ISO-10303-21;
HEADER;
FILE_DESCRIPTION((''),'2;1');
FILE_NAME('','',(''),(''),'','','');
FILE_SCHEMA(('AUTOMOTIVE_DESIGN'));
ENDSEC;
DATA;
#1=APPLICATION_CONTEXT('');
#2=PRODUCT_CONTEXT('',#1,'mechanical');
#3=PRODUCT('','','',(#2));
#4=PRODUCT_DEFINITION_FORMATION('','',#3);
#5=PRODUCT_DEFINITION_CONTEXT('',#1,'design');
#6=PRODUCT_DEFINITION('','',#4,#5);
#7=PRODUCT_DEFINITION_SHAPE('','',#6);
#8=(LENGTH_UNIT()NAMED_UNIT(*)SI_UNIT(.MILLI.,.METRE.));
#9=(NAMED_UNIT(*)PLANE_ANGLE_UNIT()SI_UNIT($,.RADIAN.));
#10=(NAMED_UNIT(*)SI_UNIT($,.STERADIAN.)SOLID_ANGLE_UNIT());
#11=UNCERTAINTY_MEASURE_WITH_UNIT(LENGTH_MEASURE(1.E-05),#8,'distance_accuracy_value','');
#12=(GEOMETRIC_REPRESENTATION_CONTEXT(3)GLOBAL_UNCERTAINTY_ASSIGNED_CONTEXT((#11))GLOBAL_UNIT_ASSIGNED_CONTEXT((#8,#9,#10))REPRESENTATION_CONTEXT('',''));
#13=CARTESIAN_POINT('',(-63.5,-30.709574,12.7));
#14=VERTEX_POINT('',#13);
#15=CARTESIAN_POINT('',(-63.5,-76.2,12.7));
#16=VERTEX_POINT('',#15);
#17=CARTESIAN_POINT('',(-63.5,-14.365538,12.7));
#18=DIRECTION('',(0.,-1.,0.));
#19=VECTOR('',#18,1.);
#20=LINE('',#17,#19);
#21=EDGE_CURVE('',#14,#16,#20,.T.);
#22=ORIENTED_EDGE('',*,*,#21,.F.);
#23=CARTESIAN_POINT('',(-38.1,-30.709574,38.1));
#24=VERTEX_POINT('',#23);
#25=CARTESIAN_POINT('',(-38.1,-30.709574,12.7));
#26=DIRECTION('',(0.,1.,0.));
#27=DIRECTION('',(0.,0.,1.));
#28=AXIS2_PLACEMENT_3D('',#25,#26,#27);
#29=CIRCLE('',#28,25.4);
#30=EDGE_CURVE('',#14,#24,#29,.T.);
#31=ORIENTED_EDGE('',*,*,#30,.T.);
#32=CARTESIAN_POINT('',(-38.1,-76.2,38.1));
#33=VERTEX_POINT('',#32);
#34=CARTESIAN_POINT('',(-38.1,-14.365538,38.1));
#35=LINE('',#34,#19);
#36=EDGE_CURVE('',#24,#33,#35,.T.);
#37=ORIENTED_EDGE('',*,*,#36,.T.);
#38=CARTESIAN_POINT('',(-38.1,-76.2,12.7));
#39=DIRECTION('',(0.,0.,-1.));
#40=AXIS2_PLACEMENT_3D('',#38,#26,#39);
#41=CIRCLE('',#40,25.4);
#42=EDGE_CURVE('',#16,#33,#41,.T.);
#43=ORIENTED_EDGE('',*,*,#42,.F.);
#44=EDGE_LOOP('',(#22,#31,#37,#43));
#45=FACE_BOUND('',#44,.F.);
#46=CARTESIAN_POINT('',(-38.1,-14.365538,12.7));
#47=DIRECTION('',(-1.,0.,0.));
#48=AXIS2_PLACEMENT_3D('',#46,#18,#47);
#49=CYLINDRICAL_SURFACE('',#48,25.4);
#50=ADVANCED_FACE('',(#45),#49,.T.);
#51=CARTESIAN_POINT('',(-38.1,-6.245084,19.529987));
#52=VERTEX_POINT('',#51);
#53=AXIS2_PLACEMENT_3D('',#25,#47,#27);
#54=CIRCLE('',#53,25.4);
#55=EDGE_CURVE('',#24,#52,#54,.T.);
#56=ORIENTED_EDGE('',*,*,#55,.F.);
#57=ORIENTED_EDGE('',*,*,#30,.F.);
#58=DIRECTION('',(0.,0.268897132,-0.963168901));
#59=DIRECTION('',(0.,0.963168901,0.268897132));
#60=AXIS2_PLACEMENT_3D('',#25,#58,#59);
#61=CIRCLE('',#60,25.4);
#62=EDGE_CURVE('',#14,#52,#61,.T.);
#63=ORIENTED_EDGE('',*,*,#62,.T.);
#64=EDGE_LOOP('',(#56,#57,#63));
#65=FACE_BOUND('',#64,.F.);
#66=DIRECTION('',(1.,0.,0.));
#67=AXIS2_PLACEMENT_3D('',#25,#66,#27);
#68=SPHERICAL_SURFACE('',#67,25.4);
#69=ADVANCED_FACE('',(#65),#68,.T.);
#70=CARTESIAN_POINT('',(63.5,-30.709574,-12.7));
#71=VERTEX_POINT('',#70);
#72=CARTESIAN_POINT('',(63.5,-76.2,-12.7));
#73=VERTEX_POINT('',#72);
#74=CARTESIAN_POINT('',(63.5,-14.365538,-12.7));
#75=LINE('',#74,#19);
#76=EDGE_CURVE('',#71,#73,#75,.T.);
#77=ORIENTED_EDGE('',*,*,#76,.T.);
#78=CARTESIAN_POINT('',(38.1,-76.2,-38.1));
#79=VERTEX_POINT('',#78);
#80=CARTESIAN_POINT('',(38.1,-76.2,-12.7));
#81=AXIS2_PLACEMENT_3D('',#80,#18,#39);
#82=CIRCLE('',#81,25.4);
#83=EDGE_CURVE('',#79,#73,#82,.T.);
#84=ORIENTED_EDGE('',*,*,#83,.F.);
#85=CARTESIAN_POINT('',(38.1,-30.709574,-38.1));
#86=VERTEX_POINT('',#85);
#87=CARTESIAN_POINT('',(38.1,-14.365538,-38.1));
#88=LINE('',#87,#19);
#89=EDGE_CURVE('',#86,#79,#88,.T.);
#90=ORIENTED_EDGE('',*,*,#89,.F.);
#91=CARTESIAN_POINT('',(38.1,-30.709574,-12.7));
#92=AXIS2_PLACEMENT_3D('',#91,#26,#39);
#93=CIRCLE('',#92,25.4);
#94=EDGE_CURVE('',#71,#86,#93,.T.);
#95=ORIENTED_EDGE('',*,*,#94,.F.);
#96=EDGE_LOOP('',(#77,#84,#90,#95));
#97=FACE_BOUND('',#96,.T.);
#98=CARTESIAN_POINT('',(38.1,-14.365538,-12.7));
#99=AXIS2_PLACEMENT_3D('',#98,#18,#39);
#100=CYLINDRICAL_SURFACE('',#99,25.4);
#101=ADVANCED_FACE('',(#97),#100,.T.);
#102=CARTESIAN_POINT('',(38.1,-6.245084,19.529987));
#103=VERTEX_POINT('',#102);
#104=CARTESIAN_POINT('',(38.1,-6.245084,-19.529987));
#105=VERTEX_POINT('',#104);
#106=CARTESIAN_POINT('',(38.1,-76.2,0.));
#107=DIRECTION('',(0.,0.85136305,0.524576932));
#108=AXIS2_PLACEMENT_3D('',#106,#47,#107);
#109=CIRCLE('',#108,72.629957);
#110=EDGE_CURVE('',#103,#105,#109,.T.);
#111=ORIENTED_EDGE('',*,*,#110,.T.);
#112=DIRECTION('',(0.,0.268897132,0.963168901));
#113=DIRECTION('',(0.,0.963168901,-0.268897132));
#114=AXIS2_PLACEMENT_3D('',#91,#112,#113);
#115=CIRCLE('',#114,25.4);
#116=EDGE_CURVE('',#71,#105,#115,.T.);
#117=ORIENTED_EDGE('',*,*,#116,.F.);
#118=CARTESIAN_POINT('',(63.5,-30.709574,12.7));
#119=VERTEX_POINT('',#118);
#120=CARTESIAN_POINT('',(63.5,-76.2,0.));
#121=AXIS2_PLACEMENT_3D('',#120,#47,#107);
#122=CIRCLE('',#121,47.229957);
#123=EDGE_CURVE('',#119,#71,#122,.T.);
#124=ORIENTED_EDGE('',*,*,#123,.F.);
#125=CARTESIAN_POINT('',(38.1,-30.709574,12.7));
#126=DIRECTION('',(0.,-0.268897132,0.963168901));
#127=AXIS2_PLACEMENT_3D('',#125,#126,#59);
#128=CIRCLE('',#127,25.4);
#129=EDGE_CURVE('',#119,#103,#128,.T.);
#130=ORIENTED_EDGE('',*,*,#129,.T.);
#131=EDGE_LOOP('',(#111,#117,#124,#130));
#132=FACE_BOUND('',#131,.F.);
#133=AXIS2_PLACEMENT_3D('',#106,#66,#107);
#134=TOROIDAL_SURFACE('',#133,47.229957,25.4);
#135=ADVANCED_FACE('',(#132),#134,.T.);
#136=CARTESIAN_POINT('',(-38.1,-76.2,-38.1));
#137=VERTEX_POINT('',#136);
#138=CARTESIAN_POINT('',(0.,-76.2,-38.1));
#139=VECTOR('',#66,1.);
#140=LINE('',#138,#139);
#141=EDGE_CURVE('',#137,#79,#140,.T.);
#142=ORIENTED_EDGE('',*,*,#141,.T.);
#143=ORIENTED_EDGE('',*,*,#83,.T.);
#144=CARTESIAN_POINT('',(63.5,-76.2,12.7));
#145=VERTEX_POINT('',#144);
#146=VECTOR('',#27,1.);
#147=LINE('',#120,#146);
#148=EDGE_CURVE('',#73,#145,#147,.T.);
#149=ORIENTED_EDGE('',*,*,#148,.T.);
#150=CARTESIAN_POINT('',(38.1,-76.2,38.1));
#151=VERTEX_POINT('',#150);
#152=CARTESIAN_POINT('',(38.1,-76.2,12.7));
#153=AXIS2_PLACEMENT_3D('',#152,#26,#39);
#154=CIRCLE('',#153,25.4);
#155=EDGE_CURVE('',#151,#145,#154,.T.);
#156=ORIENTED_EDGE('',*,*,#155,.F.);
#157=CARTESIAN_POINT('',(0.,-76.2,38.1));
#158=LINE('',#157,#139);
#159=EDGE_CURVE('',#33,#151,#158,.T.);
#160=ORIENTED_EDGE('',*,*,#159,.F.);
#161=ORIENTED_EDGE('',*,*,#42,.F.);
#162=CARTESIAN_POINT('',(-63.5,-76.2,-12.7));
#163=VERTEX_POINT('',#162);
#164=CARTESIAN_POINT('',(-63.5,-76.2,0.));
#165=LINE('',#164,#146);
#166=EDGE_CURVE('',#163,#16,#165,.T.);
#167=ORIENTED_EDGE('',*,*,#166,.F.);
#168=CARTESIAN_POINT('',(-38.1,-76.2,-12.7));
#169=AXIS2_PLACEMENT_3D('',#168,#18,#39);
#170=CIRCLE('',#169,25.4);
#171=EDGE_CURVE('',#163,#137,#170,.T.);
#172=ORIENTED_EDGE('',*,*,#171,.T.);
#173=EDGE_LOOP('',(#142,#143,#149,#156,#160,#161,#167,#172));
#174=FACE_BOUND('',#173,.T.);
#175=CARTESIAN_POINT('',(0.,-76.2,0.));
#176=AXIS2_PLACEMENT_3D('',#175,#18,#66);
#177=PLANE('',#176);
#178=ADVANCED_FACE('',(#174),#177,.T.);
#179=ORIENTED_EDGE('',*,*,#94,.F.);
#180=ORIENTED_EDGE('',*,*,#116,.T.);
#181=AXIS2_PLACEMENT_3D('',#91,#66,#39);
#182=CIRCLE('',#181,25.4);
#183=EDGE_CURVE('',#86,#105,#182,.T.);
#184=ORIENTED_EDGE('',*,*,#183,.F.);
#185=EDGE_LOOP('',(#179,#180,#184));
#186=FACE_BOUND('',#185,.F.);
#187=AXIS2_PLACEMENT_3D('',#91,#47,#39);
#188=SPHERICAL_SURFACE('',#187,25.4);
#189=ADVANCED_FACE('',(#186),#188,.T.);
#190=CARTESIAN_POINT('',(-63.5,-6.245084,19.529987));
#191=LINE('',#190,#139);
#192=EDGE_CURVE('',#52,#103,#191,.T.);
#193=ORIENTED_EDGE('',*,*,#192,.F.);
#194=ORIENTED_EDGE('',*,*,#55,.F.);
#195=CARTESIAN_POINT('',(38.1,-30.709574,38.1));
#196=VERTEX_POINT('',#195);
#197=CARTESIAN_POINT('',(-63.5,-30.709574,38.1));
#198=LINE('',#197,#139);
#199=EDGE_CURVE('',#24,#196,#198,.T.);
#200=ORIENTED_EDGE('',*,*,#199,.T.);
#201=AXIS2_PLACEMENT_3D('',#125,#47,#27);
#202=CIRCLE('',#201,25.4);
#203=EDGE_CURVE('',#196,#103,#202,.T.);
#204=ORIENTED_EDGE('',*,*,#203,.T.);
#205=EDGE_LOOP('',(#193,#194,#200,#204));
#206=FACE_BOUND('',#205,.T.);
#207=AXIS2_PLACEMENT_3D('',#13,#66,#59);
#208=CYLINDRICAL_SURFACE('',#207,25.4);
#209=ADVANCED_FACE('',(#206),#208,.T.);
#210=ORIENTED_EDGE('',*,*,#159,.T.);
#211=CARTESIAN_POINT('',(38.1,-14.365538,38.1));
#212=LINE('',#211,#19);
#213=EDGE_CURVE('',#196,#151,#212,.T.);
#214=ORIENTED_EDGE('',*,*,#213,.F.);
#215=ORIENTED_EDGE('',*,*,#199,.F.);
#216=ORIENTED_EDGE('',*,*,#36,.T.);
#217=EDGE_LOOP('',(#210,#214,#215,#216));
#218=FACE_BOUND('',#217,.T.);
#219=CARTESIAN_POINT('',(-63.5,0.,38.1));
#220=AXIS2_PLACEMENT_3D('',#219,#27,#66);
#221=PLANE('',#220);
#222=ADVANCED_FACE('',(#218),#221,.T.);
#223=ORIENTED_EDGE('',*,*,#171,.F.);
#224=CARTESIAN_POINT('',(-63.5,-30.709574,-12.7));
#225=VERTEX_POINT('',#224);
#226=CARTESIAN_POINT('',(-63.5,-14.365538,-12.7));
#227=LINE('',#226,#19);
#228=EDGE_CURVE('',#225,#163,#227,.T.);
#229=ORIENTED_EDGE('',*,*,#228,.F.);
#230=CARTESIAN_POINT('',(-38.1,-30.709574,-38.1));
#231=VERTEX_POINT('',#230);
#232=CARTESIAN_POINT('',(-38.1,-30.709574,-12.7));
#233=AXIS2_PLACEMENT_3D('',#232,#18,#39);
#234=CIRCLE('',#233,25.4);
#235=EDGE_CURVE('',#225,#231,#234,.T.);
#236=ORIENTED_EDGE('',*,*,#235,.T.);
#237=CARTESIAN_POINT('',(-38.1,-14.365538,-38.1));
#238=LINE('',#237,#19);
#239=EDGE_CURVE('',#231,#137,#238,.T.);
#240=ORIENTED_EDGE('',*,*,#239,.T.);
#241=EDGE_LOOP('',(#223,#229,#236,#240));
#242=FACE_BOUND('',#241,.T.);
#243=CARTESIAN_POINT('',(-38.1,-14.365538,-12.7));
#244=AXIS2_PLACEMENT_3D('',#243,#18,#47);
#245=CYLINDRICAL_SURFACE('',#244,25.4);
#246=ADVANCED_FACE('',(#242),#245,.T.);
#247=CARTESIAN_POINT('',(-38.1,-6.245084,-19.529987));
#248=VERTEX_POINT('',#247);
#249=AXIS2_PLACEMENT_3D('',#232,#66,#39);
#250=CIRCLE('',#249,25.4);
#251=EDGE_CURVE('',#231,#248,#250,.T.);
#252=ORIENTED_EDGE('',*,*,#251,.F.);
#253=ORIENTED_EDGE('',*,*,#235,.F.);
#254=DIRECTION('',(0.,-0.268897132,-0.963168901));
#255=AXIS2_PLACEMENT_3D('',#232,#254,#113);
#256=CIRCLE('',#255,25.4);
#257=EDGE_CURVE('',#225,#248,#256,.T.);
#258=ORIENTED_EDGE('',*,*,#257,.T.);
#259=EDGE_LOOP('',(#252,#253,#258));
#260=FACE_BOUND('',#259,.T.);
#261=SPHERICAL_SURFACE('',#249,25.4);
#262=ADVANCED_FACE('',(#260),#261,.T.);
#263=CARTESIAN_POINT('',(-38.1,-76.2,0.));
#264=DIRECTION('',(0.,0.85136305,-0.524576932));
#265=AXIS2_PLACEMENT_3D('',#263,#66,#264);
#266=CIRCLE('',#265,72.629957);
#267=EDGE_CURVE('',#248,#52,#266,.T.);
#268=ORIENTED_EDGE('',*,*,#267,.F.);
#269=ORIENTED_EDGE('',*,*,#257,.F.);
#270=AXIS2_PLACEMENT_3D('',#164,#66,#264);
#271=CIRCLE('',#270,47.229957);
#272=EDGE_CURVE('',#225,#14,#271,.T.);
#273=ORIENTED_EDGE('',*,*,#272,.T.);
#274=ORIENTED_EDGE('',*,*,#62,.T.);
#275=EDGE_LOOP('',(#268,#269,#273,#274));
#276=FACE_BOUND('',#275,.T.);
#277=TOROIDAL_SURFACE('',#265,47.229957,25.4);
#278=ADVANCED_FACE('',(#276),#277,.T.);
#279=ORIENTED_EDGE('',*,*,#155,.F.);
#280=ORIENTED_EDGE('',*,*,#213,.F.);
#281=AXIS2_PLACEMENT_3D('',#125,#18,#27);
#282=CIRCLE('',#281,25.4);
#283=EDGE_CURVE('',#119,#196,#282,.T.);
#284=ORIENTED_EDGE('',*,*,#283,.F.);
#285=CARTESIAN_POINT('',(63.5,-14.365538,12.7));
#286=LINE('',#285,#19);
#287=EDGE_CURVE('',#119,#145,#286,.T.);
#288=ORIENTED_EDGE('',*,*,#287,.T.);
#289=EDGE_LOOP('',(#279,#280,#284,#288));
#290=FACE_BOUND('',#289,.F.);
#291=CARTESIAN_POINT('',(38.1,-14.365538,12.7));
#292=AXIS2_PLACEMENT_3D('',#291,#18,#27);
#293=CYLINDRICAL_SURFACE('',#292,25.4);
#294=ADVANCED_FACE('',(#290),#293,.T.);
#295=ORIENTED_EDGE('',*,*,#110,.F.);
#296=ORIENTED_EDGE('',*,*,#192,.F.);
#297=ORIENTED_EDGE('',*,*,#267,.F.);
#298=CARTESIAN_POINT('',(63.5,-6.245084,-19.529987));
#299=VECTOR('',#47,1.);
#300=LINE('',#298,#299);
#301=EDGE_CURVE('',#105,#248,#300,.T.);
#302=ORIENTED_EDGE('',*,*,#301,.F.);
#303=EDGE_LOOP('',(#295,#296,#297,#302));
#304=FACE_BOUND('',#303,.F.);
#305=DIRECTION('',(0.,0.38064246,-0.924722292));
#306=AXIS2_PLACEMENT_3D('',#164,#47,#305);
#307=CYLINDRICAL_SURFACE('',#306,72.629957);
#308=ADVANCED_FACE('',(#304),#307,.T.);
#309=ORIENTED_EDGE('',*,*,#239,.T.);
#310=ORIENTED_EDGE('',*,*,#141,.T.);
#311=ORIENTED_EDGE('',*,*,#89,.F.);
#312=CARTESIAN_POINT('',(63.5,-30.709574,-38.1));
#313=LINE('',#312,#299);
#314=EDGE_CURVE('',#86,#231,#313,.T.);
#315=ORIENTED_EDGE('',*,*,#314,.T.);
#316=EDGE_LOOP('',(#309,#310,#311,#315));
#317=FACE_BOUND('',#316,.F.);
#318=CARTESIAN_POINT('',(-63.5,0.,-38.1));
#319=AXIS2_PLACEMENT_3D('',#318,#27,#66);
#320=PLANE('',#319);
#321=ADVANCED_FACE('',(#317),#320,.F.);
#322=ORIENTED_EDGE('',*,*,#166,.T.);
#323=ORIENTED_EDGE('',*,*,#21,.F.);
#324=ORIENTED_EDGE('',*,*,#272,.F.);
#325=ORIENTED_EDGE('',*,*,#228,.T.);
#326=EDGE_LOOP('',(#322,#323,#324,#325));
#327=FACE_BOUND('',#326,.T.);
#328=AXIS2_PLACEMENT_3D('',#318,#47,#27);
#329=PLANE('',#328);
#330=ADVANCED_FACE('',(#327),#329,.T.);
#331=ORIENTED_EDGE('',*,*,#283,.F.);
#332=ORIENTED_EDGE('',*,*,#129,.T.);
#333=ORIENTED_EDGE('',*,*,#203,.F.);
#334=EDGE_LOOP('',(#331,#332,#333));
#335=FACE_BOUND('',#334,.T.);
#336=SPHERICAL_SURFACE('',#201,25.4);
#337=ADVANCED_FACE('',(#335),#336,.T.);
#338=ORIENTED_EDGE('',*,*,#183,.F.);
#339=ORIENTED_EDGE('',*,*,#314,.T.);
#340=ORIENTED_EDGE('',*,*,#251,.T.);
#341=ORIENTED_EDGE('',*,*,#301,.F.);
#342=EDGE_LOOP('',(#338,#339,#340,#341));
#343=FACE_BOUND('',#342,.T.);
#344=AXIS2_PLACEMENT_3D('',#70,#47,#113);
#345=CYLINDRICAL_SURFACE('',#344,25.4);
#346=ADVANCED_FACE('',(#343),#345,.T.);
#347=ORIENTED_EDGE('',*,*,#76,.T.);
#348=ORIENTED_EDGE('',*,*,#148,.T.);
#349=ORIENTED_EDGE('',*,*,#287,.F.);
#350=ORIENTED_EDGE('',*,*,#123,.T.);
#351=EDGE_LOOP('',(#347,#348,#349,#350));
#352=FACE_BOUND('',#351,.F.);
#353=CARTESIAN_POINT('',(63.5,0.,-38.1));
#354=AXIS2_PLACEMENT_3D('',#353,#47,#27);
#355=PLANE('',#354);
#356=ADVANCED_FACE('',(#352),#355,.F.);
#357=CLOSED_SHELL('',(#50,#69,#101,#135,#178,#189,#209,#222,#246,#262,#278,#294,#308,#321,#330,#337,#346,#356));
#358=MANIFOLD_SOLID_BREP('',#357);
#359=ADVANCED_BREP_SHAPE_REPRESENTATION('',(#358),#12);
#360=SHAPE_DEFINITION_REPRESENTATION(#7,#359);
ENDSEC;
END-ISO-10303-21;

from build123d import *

# Parameters (mm, degrees)
F0_W     = 127
F0_H     = 76.2
F1_DEPTH = 76.2
F3_DEPTH = 127.001
F4_R     = 25.4


with BuildPart() as f1:
    # F0 (on Front) → F1 (new body)
    with BuildSketch(Plane.XZ):
        Rectangle(F0_W, F0_H)
    extrude(amount=F1_DEPTH)

    # F2 (on face) → F3 (cut, through all)
    with BuildSketch(Plane(origin=(-63.5, 0, 0), x_dir=(0, -1, 0), z_dir=(-1, 0, 0))):
        with BuildLine():
            ThreePointArc((14.3655382942, 38.1), (37.6635127669, 61.5633803993), (68.9486063382, 72.2670598849))
            Line((68.9486063382, 72.2670598849), (-52.0951251411, 60.1213361119))
            Line((-52.0951251411, 60.1213361119), (-33.0926589668, -48.5322624445))
            Line((-33.0926589668, -48.5322624445), (48.5539544729, -67.162540312))
            ThreePointArc((48.5539544729, -67.162540312), (29.1590805148, -55.3377136177), (14.3655382942, -38.1))
            Line((14.3655382942, -38.1), (0, -38.1))
            Line((0, -38.1), (0, 38.1))
            Line((0, 38.1), (14.3655382942, 38.1))
        make_face()
        with BuildLine():
            ThreePointArc((14.3655382942, -38.1), (3.5700429957, 0), (14.3655382942, 38.1))
            Line((14.3655382942, 38.1), (0, 38.1))
            Line((0, 38.1), (0, -38.1))
            Line((0, -38.1), (14.3655382942, -38.1))
        make_face()
    extrude(amount=-F3_DEPTH, mode=Mode.SUBTRACT)

    # F4
    f4_edges = [f1.edges().sort_by_distance(p)[0] for p in [
        (-63.5, -45.282769, 38.1),
        (63.5, -45.282769, 38.1),
        (-63.5, -45.282769, -38.1),
        (63.5, -45.282769, -38.1),
        (63.5, -3.570043, 0),
        (-63.5, -3.570043, 0),
        (0, -14.365538, -38.1),
        (0, -14.365538, 38.1),
    ]]
    fillet(f4_edges, radius=F4_R)


solid = f1.part
